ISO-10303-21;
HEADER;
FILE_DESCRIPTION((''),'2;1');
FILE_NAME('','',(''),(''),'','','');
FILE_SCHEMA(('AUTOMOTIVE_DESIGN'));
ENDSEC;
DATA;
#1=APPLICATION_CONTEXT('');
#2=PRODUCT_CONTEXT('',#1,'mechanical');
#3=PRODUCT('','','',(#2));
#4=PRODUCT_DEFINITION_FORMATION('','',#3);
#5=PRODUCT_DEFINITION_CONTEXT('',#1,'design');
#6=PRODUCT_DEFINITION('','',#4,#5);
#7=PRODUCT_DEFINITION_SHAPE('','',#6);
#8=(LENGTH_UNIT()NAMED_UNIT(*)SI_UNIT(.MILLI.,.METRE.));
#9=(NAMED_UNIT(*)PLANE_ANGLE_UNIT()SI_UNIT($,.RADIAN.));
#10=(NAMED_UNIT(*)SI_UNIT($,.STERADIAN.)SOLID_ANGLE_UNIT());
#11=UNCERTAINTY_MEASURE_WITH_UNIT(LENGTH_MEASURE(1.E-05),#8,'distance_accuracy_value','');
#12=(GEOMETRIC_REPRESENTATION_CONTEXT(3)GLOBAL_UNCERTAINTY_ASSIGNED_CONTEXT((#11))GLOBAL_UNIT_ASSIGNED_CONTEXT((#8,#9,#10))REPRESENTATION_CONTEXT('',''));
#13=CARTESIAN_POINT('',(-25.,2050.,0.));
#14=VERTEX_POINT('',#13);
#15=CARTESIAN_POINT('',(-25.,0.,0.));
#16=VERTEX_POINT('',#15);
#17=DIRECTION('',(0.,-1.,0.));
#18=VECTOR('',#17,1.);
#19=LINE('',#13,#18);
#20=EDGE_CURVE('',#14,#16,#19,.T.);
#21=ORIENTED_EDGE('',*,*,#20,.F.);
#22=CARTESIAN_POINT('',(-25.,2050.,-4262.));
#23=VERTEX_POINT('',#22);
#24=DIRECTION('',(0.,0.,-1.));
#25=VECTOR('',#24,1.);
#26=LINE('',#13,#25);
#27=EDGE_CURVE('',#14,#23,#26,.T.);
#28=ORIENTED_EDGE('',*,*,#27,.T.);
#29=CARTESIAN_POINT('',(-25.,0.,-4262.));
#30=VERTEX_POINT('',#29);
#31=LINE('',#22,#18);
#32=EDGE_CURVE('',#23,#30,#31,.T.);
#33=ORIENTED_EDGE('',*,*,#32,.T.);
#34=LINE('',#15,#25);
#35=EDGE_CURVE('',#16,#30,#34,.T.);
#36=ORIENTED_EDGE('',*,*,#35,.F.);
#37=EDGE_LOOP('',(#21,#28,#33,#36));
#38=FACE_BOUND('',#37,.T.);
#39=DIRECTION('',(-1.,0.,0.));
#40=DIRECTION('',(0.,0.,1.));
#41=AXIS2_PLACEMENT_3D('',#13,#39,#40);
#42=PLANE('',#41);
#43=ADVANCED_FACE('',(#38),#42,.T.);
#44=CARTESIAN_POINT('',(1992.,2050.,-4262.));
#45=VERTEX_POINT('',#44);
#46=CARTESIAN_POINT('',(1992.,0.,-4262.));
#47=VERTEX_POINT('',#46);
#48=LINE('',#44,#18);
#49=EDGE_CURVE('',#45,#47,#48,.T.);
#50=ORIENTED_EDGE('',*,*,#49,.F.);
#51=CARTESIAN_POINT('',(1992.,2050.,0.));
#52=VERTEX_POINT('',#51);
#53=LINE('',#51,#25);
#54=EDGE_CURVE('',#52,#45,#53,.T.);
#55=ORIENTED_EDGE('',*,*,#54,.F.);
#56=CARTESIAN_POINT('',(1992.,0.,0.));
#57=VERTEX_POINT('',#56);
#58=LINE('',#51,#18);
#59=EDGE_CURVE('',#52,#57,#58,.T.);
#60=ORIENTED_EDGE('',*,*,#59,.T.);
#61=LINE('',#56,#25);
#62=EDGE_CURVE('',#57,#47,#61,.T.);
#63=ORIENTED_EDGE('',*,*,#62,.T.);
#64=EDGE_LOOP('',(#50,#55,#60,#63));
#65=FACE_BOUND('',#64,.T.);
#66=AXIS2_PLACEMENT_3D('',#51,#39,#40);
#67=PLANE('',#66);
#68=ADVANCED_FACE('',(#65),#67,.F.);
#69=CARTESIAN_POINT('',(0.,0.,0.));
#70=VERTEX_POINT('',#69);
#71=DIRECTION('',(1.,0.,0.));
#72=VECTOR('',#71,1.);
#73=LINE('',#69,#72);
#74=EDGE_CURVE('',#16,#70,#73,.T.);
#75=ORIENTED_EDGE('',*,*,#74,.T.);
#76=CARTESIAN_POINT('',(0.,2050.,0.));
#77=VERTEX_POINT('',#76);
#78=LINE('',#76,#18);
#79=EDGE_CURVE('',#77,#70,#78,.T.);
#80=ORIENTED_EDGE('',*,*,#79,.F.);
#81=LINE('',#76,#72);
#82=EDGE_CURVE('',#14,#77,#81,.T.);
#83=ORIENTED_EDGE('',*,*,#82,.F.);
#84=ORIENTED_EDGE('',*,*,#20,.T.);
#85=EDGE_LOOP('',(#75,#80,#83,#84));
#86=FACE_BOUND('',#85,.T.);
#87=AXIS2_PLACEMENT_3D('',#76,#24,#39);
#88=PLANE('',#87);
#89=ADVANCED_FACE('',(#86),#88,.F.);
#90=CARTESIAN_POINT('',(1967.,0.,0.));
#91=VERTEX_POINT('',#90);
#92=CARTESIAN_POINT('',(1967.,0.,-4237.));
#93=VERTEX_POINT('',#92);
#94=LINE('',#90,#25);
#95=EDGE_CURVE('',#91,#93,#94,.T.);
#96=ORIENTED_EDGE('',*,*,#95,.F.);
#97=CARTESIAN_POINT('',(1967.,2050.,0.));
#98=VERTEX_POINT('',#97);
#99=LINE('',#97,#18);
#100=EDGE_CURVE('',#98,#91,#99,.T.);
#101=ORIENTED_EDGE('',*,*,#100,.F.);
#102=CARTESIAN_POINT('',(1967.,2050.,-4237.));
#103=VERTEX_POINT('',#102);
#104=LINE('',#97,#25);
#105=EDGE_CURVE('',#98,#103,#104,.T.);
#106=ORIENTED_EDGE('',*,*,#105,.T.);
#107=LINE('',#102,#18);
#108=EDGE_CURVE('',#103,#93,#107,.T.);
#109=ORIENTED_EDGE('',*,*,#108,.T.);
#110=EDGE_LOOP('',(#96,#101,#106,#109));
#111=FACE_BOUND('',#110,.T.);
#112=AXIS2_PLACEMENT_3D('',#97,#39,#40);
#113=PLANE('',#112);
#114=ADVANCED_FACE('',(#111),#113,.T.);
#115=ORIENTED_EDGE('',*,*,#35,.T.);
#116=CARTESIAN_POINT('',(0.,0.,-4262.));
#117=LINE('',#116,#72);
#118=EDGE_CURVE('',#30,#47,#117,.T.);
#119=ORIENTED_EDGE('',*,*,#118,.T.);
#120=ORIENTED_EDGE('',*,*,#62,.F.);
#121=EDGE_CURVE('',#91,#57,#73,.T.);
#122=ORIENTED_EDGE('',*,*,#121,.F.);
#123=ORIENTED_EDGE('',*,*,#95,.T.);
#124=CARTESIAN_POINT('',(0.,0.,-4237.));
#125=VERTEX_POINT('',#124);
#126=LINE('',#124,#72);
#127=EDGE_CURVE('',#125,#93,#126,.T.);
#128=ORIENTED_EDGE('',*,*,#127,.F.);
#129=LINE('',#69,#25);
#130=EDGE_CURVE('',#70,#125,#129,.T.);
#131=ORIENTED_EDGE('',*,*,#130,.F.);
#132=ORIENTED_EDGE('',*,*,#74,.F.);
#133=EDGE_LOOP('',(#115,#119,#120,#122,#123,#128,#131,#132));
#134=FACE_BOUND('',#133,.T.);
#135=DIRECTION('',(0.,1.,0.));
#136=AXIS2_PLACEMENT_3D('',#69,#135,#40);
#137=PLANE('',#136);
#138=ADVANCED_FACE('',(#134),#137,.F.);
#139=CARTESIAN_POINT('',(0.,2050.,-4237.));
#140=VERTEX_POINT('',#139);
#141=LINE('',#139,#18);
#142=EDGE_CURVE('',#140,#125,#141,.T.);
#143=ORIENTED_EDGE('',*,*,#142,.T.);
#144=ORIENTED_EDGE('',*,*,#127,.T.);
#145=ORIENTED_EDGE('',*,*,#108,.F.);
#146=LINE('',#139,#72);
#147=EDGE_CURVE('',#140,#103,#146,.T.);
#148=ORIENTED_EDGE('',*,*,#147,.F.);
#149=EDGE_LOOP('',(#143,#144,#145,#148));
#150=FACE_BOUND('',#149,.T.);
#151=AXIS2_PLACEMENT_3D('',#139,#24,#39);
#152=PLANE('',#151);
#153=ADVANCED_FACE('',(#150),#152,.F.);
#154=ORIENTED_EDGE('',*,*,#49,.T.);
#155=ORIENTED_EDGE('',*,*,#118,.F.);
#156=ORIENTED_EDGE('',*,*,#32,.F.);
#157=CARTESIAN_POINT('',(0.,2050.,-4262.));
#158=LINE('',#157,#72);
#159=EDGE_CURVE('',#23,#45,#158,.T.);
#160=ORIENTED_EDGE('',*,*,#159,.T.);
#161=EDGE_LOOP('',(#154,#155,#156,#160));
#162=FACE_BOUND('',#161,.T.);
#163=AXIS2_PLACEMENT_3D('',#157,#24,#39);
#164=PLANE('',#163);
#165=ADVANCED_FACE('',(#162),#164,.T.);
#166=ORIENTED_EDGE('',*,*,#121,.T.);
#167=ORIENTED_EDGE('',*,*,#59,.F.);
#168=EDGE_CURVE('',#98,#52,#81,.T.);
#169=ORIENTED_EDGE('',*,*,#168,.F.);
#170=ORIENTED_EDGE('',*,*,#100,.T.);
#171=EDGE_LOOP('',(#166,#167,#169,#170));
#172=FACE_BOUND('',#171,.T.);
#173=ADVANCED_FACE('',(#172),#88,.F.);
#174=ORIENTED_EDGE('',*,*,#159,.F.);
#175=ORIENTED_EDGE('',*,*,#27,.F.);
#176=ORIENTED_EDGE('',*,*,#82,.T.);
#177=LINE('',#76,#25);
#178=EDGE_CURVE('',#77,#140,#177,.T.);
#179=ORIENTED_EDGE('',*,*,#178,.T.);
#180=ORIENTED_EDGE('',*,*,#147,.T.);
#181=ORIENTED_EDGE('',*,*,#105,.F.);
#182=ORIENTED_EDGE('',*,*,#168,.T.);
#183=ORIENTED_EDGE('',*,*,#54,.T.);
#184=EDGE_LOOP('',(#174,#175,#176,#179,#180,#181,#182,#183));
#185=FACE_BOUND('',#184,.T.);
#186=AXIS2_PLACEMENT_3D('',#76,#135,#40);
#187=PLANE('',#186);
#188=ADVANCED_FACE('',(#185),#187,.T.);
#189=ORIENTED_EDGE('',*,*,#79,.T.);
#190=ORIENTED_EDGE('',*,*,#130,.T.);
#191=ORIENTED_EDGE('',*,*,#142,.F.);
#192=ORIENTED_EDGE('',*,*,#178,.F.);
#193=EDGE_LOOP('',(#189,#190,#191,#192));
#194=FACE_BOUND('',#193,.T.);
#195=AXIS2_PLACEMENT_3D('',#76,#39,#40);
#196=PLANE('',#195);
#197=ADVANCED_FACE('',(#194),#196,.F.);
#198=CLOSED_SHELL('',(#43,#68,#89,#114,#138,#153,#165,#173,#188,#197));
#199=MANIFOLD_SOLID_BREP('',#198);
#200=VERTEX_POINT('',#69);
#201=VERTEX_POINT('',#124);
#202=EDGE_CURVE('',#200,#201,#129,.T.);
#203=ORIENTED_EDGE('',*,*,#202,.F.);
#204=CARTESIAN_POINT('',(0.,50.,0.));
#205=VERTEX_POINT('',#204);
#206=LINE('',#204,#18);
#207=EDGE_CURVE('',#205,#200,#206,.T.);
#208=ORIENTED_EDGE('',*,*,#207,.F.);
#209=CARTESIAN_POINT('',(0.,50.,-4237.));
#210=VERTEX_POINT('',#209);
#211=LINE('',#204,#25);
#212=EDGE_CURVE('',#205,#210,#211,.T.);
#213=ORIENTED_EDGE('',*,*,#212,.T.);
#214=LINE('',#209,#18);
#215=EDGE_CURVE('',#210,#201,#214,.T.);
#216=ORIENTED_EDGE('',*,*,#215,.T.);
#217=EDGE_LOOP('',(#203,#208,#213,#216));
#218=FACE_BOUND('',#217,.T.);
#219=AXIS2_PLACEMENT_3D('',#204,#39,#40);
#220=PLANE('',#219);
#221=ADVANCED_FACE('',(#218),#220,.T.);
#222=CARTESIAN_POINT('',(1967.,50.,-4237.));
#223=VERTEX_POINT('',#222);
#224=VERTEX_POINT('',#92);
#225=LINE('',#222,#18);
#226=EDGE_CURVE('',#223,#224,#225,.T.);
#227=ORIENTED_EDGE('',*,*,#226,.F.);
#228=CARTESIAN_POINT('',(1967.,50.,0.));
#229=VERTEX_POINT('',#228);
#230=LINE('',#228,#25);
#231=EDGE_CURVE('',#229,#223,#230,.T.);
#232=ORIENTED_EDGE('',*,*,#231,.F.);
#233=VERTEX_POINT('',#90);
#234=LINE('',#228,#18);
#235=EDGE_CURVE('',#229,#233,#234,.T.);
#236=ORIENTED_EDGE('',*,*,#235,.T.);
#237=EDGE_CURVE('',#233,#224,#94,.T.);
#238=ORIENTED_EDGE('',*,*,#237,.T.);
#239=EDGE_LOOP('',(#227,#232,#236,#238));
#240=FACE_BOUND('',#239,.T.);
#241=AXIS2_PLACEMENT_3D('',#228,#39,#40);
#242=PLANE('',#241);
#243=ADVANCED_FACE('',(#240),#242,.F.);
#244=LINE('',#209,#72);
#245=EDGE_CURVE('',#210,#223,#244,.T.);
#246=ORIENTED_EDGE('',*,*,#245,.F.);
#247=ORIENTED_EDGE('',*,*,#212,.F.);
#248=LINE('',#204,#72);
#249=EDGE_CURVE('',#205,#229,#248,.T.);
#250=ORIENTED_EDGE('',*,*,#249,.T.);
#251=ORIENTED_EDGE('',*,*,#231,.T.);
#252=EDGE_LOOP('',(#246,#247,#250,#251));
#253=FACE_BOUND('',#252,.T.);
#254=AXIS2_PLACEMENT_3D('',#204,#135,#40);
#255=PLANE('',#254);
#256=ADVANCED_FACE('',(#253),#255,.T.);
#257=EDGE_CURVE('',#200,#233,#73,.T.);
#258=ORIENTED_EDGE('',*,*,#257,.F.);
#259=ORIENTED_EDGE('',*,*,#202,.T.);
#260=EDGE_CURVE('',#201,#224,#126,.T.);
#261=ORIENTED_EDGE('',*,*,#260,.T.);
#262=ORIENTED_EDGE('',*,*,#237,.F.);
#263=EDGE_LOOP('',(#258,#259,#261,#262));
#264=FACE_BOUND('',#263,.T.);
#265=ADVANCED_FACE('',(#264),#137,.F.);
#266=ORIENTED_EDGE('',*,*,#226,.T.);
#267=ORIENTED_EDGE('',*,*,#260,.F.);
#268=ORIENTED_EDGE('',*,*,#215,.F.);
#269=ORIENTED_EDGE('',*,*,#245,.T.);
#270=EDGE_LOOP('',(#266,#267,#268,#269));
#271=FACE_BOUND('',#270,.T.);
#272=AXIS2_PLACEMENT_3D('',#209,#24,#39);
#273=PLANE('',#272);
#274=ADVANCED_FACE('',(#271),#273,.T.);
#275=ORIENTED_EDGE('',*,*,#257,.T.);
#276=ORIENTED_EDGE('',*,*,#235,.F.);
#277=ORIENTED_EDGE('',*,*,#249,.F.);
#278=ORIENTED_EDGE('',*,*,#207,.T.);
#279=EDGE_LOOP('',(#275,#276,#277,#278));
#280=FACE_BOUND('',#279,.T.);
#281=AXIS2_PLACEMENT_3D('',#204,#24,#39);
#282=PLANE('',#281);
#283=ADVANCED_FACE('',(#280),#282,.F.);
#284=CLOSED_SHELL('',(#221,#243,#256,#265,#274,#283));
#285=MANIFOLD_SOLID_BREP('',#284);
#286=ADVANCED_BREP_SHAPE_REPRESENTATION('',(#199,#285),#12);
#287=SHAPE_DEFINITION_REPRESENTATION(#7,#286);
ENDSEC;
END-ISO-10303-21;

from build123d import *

# Parameters (mm, degrees)
SKETCH1_W           = 1967
SKETCH1_H           = 4237
BOSS_EXTRUDE1_DEPTH = 50
BOSS_EXTRUDE2_DEPTH = 2050


with BuildPart() as part:
    # Sketch1 → Boss-Extrude1 (new body)
    with BuildSketch(Plane(origin=(0, 0, 0), x_dir=(1, 0, 0), z_dir=(0, 1, 0))):
        with Locations((983.5, 2118.5)):
            Rectangle(SKETCH1_W, SKETCH1_H)
    extrude(amount=BOSS_EXTRUDE1_DEPTH)


with BuildPart() as body_2:
    # Sketch1<7> → Boss-Extrude2 (new body)
    with BuildSketch(Plane(origin=(0, 0, 0), x_dir=(1, 0, 0), z_dir=(0, 1, 0))):
        Polygon((1967, 0), (1992, 0), (1992, 4262), (-25, 4262), (-25, 0), (0, 0), (0, 4237), (1967, 4237), align=None)
    extrude(amount=BOSS_EXTRUDE2_DEPTH)


solid = Compound([part.part, body_2.part])
